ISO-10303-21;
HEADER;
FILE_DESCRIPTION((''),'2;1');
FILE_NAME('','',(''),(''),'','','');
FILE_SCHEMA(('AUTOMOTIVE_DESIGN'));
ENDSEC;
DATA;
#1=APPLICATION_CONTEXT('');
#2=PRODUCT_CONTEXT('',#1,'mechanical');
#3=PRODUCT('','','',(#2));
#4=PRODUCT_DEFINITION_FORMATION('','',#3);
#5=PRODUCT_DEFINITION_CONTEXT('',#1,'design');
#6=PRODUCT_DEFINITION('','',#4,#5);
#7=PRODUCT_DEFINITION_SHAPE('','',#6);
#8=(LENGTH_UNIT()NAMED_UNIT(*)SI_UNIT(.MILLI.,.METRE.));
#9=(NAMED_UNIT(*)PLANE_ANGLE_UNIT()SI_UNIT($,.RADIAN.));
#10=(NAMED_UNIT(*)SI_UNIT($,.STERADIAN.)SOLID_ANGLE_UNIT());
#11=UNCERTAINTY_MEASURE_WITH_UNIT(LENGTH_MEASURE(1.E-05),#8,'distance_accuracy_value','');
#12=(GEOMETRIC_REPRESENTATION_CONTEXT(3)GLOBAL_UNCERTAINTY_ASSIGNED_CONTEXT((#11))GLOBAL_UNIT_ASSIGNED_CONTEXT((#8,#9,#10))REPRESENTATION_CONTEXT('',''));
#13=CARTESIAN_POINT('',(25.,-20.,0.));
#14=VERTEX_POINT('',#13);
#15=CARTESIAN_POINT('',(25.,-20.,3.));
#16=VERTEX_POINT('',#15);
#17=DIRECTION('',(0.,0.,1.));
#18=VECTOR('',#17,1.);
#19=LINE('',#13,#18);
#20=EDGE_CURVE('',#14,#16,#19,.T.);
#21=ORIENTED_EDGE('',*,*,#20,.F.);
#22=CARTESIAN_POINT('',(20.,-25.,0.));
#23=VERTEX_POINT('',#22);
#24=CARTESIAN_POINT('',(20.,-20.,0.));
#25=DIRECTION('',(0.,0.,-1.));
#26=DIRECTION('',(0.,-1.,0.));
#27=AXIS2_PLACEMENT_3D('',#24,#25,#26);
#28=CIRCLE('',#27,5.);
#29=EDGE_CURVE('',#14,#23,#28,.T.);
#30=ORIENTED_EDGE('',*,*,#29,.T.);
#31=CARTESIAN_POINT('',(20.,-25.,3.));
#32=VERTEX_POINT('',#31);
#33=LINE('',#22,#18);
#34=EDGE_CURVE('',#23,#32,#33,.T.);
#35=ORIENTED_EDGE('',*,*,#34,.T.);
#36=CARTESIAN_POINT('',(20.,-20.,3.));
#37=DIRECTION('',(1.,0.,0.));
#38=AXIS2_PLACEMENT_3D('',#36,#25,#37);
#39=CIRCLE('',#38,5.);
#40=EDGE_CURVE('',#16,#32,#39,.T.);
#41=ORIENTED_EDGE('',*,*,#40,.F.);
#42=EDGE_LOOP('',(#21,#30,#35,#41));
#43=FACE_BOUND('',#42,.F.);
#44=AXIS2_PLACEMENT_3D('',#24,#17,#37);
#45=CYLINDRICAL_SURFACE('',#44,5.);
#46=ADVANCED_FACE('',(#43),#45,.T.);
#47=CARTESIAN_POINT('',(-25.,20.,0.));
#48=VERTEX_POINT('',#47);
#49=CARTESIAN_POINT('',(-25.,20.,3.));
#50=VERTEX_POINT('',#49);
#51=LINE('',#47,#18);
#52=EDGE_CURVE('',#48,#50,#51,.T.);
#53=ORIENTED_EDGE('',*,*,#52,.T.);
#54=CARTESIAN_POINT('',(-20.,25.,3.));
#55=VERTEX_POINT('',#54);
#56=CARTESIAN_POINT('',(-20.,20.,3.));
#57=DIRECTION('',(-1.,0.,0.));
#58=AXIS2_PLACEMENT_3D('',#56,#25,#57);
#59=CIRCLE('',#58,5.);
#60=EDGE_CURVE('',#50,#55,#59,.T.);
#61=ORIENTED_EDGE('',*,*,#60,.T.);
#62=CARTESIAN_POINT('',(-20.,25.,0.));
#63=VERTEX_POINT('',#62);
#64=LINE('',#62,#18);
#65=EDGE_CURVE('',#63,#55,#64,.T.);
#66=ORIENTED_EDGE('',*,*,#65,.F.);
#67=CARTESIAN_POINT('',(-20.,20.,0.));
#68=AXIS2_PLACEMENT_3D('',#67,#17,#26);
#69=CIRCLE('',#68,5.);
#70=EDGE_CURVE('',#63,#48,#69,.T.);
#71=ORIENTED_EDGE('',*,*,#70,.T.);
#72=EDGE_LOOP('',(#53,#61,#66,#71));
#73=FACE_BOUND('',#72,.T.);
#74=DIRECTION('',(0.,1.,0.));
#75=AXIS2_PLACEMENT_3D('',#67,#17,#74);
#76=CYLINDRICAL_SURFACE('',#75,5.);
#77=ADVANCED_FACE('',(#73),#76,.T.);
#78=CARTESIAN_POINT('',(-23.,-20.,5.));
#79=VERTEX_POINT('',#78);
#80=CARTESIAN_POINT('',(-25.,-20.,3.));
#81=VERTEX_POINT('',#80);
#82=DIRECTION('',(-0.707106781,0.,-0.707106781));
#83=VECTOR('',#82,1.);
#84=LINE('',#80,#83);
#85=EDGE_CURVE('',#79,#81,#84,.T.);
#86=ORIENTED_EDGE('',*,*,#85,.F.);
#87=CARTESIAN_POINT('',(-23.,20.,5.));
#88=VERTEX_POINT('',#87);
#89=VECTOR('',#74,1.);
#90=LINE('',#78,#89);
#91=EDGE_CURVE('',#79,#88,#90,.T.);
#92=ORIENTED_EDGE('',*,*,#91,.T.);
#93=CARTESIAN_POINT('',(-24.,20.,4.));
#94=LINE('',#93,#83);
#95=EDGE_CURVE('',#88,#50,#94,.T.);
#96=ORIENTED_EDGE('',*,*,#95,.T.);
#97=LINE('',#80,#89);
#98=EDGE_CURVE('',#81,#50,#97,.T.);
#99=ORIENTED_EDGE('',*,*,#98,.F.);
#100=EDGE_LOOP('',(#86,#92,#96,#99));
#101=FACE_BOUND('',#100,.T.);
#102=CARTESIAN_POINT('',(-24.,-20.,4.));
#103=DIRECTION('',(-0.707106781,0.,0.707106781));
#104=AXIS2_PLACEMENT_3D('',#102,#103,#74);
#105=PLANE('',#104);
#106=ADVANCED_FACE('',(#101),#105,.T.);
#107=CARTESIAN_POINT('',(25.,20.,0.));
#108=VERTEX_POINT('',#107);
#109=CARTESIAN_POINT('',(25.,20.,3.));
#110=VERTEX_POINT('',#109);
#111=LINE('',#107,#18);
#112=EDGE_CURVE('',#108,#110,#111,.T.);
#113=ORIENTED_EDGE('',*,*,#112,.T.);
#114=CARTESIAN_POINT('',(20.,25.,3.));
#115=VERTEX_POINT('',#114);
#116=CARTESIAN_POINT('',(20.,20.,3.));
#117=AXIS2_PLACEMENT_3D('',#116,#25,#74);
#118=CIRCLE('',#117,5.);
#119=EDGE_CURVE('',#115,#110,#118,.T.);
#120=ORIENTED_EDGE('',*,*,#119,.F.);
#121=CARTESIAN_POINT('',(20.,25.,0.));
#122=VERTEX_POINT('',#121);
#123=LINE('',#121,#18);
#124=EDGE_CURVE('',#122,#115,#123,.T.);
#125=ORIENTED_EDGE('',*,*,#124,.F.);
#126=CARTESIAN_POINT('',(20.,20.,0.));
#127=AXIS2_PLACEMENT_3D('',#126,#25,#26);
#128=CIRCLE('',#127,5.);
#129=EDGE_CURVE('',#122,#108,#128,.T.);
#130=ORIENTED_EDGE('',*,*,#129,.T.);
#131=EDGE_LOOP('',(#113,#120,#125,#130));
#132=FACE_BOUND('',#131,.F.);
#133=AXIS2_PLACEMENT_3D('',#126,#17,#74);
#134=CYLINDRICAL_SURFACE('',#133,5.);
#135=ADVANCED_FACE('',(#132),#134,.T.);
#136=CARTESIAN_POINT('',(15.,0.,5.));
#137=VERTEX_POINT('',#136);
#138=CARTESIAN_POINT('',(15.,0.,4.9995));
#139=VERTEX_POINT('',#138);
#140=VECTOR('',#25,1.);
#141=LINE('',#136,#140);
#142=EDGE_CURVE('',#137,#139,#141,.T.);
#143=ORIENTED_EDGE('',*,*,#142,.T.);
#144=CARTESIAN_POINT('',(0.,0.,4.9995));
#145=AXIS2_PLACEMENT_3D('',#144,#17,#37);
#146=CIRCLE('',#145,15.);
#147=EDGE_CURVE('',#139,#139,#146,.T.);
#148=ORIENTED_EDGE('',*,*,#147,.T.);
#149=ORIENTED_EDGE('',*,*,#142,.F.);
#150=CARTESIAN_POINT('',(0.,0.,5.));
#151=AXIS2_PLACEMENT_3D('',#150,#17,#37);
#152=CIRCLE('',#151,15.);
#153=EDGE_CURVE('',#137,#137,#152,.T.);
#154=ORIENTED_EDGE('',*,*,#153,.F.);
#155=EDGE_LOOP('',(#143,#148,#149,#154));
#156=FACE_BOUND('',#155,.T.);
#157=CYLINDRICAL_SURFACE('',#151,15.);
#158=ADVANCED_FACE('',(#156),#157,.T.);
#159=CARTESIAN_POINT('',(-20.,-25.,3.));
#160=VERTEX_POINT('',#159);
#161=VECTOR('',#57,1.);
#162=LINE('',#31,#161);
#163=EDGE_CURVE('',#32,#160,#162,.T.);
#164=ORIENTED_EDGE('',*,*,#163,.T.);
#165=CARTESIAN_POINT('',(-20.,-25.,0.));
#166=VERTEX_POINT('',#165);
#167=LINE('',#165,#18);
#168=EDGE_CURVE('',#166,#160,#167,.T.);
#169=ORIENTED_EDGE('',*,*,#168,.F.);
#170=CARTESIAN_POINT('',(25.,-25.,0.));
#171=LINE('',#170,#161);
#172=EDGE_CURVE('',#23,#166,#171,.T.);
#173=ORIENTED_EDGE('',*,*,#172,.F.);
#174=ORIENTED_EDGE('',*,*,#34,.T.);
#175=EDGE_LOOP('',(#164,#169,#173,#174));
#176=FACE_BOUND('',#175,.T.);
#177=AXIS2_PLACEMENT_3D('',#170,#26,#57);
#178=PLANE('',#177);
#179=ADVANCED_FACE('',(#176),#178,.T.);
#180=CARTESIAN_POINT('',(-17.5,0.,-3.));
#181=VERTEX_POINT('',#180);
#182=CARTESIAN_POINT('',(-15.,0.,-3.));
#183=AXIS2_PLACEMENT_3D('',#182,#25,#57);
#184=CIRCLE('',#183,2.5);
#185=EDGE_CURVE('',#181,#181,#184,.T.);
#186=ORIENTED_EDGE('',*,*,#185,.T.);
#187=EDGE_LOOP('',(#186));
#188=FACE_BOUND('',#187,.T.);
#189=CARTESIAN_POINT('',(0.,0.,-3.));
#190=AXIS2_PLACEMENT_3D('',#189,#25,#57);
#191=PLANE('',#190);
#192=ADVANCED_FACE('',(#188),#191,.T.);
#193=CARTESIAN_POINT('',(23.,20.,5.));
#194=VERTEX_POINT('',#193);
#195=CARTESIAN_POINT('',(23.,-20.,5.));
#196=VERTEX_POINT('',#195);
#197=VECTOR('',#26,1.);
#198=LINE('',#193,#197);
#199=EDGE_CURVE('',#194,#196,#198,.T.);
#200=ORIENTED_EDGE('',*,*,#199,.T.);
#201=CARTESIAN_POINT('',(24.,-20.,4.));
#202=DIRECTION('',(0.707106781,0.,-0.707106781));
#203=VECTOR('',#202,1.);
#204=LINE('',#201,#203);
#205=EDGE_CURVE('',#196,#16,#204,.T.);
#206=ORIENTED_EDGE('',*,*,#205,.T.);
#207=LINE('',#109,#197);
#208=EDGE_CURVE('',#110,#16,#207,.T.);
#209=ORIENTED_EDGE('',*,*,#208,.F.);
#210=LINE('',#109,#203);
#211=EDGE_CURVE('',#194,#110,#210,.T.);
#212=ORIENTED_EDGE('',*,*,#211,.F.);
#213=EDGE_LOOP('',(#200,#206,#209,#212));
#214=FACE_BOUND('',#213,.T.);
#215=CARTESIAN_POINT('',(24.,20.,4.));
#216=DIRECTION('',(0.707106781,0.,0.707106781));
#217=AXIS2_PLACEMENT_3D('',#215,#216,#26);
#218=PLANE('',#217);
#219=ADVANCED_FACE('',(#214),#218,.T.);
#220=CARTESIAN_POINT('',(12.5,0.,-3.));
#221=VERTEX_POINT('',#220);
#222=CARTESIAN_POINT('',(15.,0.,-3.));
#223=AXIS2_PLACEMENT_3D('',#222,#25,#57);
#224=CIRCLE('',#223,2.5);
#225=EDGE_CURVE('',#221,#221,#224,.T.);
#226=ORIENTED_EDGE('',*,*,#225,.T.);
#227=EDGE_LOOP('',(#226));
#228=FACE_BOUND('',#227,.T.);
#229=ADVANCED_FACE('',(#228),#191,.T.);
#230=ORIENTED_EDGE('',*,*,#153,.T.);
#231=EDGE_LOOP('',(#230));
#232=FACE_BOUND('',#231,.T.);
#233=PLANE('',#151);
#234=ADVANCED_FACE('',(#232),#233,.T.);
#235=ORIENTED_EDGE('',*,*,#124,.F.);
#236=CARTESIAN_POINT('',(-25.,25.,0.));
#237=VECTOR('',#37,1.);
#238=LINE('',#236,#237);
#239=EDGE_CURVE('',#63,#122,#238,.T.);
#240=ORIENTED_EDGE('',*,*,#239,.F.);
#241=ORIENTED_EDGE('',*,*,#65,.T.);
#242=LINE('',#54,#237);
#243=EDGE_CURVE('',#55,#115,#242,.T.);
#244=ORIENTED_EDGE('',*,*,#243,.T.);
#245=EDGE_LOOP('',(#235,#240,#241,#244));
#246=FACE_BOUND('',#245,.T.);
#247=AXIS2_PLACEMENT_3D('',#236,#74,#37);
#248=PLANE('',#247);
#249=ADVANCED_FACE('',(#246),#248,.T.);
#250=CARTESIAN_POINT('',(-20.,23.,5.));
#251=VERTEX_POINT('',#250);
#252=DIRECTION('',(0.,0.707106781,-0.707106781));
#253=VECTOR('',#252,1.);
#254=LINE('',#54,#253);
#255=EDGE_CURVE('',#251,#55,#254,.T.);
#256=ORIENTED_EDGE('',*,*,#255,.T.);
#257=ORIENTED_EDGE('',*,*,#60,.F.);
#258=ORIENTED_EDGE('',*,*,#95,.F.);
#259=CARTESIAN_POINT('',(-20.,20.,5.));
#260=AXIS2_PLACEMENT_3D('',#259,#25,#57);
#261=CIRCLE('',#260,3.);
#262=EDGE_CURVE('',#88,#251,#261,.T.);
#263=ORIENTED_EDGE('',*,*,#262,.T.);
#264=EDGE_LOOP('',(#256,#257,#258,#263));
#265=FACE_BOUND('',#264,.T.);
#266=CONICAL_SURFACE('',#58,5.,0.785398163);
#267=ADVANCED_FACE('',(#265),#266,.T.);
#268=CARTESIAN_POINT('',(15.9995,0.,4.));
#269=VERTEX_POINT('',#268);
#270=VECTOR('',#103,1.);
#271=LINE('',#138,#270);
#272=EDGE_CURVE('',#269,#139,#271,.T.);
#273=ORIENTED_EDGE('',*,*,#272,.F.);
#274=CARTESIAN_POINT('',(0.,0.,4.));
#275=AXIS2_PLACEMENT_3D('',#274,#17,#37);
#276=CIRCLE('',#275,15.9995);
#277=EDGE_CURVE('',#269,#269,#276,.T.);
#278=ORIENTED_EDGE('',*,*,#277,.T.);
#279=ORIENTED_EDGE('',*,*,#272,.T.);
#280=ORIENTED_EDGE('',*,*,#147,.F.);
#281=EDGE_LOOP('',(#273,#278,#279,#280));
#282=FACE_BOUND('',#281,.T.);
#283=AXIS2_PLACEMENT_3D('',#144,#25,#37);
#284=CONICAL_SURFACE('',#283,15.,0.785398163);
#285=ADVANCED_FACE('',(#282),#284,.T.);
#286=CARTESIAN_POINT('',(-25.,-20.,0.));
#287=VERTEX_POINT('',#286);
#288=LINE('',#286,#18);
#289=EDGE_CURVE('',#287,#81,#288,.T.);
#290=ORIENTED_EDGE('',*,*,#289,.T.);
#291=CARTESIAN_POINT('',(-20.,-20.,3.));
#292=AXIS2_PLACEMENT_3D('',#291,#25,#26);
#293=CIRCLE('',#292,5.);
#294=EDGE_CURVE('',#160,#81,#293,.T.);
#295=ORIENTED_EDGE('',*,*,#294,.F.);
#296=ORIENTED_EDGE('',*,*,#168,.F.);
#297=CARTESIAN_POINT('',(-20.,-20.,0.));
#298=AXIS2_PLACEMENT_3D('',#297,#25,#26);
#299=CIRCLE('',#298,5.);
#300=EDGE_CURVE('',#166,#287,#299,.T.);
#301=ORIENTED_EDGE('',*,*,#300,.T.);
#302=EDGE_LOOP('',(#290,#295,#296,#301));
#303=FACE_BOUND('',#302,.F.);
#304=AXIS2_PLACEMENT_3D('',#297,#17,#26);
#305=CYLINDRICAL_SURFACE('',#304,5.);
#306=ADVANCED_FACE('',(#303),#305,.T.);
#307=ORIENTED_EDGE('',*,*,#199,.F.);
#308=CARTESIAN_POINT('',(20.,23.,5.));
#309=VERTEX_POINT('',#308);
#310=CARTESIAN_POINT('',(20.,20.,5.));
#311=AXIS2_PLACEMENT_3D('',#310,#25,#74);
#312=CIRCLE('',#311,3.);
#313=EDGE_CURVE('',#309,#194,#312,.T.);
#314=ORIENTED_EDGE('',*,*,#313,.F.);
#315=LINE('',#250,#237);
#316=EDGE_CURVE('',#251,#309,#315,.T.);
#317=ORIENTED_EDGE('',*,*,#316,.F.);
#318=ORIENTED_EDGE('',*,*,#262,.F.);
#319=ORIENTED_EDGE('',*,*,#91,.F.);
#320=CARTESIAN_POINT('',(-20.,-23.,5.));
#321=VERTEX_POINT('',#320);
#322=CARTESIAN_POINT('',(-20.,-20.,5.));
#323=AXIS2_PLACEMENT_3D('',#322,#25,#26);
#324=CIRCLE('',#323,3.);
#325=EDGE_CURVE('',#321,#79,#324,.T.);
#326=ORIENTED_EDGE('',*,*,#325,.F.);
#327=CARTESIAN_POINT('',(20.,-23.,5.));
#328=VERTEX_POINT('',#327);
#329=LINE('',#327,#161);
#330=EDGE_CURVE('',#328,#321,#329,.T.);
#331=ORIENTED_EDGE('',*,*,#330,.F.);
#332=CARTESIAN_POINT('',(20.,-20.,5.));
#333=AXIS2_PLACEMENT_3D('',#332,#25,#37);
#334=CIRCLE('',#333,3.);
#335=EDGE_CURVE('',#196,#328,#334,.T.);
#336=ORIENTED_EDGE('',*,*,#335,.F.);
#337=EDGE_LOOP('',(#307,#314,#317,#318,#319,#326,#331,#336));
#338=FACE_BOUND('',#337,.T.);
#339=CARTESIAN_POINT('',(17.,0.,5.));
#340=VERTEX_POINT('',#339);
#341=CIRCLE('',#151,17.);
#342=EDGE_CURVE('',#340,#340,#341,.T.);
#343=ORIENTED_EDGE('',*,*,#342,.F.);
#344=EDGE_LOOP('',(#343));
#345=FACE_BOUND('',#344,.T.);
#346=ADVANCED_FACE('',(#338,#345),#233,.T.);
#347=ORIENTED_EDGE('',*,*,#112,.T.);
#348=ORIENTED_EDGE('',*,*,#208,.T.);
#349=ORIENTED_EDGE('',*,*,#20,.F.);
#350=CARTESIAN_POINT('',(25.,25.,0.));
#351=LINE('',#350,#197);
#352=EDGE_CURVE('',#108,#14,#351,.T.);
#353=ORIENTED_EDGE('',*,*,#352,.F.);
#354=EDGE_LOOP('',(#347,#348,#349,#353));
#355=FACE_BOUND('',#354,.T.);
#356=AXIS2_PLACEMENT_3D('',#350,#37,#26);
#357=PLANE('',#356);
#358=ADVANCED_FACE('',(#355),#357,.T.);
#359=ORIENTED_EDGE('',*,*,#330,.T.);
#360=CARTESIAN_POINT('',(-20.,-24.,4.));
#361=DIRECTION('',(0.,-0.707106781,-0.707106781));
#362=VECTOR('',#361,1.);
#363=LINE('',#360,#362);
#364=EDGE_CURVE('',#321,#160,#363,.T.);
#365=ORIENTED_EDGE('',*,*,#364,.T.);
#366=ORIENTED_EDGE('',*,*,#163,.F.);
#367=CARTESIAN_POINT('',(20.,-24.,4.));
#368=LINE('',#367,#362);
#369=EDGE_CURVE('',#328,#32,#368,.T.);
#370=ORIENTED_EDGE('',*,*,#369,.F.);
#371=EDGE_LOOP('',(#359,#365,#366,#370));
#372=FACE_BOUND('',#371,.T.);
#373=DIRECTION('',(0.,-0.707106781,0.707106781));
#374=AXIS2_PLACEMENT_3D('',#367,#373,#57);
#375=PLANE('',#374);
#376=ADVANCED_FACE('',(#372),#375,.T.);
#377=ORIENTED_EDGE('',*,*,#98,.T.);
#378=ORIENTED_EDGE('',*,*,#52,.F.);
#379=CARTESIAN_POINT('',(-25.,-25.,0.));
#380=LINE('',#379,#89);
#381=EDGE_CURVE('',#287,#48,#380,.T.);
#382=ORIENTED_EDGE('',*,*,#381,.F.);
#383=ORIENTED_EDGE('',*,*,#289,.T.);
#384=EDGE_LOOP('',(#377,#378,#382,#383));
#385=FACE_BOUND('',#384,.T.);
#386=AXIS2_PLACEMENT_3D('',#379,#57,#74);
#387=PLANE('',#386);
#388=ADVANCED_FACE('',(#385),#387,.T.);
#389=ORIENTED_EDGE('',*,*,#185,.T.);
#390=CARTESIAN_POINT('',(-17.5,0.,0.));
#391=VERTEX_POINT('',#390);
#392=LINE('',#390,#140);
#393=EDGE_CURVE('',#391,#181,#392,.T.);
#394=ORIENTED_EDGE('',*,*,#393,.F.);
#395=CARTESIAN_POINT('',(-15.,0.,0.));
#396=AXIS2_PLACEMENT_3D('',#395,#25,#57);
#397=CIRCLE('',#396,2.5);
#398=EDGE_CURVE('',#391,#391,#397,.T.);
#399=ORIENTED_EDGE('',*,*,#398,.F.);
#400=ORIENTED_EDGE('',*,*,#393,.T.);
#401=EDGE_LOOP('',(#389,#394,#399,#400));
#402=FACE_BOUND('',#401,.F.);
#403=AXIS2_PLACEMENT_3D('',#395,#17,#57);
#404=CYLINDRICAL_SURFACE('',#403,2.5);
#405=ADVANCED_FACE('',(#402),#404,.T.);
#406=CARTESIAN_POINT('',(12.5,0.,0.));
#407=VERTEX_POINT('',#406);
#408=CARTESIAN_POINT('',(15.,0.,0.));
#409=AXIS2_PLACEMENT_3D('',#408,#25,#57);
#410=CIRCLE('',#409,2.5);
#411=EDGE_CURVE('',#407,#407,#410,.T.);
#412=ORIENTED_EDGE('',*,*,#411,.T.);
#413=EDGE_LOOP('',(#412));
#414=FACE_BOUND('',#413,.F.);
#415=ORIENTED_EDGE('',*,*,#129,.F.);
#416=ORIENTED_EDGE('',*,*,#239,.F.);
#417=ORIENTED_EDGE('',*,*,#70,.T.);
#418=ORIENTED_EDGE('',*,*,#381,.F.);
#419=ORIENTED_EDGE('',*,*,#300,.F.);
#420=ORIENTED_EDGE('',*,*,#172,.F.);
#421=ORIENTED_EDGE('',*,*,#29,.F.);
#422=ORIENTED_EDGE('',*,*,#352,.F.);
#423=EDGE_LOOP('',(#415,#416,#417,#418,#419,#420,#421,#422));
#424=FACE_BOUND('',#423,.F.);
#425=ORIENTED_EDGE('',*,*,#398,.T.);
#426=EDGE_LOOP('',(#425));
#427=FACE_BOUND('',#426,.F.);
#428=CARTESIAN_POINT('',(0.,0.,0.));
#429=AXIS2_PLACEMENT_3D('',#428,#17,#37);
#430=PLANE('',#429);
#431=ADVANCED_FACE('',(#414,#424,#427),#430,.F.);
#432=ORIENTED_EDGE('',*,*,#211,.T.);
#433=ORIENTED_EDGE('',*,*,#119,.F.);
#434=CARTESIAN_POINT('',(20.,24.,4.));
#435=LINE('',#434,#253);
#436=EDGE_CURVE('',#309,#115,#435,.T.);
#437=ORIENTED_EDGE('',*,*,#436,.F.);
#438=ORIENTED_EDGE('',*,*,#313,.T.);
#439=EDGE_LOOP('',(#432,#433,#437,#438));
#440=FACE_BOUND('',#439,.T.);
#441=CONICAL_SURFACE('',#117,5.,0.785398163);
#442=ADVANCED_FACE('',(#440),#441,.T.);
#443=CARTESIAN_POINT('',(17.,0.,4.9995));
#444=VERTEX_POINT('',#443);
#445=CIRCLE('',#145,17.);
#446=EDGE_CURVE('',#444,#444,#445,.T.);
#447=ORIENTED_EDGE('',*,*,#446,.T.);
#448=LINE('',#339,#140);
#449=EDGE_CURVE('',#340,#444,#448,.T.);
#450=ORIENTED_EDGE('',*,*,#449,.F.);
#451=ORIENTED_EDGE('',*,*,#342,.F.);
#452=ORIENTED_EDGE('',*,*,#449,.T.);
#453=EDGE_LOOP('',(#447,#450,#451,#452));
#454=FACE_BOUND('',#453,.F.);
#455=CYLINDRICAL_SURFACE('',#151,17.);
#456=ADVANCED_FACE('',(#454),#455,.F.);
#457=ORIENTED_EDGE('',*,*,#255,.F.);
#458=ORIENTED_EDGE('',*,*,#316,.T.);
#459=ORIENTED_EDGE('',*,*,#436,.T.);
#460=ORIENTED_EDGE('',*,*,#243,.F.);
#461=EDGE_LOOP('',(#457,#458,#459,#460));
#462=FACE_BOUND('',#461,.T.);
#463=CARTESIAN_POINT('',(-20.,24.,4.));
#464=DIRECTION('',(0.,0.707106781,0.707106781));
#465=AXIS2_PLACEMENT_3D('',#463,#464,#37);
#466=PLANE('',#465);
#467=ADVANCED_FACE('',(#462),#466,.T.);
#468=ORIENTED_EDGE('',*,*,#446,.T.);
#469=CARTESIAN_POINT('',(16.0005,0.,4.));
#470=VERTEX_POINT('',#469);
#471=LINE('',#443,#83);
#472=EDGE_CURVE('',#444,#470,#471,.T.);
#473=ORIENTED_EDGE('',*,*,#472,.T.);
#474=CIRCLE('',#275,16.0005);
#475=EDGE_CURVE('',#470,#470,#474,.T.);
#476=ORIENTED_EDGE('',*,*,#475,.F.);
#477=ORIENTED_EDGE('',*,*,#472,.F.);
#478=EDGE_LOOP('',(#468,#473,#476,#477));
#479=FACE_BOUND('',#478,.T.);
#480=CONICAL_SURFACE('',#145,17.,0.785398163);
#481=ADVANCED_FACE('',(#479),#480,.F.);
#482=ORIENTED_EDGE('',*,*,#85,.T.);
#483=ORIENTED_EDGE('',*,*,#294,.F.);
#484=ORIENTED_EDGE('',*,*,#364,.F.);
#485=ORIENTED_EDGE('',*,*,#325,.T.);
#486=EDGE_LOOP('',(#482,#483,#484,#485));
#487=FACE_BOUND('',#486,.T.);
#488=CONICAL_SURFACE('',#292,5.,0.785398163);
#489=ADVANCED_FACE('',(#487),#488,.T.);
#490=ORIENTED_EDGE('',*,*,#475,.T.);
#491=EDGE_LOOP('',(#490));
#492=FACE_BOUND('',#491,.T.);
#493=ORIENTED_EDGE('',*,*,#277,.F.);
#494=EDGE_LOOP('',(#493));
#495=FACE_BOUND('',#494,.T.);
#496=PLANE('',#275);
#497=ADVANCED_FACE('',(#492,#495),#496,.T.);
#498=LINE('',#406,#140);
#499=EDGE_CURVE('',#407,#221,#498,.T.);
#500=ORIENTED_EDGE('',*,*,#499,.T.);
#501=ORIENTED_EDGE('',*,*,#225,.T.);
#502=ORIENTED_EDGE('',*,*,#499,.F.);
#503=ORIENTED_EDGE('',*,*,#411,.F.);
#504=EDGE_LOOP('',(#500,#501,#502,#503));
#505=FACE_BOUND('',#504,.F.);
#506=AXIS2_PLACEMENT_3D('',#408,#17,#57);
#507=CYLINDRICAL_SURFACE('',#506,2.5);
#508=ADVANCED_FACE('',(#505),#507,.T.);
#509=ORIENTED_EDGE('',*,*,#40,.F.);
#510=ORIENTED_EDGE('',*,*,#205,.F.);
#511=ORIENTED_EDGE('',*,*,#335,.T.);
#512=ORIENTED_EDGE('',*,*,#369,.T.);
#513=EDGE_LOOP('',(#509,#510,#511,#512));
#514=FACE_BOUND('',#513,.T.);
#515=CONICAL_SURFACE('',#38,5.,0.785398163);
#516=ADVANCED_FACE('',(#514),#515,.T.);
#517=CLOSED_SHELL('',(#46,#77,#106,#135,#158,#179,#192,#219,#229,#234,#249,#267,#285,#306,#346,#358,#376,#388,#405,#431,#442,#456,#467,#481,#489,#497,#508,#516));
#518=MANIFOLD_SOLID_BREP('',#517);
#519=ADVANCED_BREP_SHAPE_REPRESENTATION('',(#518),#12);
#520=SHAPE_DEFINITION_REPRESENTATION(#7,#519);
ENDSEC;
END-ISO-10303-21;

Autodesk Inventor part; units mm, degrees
ref_plane "YZ Plane" through (0, 0, 0) normal (1, 0, 0) x (0, 1, 0)
ref_plane "XZ Plane" through (0, 0, 0) normal (0, 1, 0) x (-1, 0, 0)
ref_plane "XY Plane" through (0, 0, 0) normal (0, 0, 1) x (1, 0, 0)
sketch "Sketch1" plane through (0, 0, 0) normal (0, 0, 1) x (1, 0, 0)
  line L0 (-25, 25) -> (25, 25)
  line L1 (25, 25) -> (25, -25)
  line L2 (25, -25) -> (-25, -25)
  line L3 (-25, -25) -> (-25, 25)
  point P0 (0, 0)
  dimension "d0" = 50
  dimension "d1" = 50
  dimension "d2" = 25
  dimension "d3" = 25
extrude "Extrusion1" add sketch "Sketch1" along normal blind 5
fillet "Fillet1" radius 5 4 edges at (-25, -25, 2.5) (25, -25, 2.5) (25, 25, 2.5) (-25, 25, 2.5)
chamfer "Chamfer1" distance 2 angle 45 8 edges at (0, -25, 5) (23.5355, -23.5355, 5) (25, 0, 5) (23.5355, 23.5355, 5) (0, 25, 5) (-23.5355, 23.5355, 5) (-25, 0, 5) (-23.5355, -23.5355, 5)
sketch "Sketch3" plane through (0, 0, 0) normal (0, 0, -1) x (-1, 0, 0)
  circle A0 centre (-15, 0) radius 2.5
  circle A1 centre (15, 0) radius 2.5
  line L0 (-25, -20) -> (-25, 20) projected
  line L1 (25, 20) -> (25, -20) projected
  line L2 (20, -25) -> (-20, -25) projected
  point P0 (0, 0)
  point P1 (0, 0)
  dimension "d13" = 5
  dimension "d19" = 10
  dimension "d20" = 10
  dimension "d21" = 25
  dimension "d22" = 25
  dimension "d23" = 5
extrude "Extrusion3" add sketch "Sketch3" along normal blind 3
sketch "Sketch4" plane through (0, 0, 5) normal (0, 0, 1) x (1, 0, 0)
  circle A0 centre (0, 0) radius 15
  circle A1 centre (0, 0) radius 17
  dimension "d24" = 30
  dimension "d25" = 2
extrude "Extrusion4" cut sketch "Sketch4" against normal blind 1
chamfer "Chamfer3" distance 1 angle 45 2 edges at (-15, 0, 4) (-17, 0, 4)
properties part number "Top"
